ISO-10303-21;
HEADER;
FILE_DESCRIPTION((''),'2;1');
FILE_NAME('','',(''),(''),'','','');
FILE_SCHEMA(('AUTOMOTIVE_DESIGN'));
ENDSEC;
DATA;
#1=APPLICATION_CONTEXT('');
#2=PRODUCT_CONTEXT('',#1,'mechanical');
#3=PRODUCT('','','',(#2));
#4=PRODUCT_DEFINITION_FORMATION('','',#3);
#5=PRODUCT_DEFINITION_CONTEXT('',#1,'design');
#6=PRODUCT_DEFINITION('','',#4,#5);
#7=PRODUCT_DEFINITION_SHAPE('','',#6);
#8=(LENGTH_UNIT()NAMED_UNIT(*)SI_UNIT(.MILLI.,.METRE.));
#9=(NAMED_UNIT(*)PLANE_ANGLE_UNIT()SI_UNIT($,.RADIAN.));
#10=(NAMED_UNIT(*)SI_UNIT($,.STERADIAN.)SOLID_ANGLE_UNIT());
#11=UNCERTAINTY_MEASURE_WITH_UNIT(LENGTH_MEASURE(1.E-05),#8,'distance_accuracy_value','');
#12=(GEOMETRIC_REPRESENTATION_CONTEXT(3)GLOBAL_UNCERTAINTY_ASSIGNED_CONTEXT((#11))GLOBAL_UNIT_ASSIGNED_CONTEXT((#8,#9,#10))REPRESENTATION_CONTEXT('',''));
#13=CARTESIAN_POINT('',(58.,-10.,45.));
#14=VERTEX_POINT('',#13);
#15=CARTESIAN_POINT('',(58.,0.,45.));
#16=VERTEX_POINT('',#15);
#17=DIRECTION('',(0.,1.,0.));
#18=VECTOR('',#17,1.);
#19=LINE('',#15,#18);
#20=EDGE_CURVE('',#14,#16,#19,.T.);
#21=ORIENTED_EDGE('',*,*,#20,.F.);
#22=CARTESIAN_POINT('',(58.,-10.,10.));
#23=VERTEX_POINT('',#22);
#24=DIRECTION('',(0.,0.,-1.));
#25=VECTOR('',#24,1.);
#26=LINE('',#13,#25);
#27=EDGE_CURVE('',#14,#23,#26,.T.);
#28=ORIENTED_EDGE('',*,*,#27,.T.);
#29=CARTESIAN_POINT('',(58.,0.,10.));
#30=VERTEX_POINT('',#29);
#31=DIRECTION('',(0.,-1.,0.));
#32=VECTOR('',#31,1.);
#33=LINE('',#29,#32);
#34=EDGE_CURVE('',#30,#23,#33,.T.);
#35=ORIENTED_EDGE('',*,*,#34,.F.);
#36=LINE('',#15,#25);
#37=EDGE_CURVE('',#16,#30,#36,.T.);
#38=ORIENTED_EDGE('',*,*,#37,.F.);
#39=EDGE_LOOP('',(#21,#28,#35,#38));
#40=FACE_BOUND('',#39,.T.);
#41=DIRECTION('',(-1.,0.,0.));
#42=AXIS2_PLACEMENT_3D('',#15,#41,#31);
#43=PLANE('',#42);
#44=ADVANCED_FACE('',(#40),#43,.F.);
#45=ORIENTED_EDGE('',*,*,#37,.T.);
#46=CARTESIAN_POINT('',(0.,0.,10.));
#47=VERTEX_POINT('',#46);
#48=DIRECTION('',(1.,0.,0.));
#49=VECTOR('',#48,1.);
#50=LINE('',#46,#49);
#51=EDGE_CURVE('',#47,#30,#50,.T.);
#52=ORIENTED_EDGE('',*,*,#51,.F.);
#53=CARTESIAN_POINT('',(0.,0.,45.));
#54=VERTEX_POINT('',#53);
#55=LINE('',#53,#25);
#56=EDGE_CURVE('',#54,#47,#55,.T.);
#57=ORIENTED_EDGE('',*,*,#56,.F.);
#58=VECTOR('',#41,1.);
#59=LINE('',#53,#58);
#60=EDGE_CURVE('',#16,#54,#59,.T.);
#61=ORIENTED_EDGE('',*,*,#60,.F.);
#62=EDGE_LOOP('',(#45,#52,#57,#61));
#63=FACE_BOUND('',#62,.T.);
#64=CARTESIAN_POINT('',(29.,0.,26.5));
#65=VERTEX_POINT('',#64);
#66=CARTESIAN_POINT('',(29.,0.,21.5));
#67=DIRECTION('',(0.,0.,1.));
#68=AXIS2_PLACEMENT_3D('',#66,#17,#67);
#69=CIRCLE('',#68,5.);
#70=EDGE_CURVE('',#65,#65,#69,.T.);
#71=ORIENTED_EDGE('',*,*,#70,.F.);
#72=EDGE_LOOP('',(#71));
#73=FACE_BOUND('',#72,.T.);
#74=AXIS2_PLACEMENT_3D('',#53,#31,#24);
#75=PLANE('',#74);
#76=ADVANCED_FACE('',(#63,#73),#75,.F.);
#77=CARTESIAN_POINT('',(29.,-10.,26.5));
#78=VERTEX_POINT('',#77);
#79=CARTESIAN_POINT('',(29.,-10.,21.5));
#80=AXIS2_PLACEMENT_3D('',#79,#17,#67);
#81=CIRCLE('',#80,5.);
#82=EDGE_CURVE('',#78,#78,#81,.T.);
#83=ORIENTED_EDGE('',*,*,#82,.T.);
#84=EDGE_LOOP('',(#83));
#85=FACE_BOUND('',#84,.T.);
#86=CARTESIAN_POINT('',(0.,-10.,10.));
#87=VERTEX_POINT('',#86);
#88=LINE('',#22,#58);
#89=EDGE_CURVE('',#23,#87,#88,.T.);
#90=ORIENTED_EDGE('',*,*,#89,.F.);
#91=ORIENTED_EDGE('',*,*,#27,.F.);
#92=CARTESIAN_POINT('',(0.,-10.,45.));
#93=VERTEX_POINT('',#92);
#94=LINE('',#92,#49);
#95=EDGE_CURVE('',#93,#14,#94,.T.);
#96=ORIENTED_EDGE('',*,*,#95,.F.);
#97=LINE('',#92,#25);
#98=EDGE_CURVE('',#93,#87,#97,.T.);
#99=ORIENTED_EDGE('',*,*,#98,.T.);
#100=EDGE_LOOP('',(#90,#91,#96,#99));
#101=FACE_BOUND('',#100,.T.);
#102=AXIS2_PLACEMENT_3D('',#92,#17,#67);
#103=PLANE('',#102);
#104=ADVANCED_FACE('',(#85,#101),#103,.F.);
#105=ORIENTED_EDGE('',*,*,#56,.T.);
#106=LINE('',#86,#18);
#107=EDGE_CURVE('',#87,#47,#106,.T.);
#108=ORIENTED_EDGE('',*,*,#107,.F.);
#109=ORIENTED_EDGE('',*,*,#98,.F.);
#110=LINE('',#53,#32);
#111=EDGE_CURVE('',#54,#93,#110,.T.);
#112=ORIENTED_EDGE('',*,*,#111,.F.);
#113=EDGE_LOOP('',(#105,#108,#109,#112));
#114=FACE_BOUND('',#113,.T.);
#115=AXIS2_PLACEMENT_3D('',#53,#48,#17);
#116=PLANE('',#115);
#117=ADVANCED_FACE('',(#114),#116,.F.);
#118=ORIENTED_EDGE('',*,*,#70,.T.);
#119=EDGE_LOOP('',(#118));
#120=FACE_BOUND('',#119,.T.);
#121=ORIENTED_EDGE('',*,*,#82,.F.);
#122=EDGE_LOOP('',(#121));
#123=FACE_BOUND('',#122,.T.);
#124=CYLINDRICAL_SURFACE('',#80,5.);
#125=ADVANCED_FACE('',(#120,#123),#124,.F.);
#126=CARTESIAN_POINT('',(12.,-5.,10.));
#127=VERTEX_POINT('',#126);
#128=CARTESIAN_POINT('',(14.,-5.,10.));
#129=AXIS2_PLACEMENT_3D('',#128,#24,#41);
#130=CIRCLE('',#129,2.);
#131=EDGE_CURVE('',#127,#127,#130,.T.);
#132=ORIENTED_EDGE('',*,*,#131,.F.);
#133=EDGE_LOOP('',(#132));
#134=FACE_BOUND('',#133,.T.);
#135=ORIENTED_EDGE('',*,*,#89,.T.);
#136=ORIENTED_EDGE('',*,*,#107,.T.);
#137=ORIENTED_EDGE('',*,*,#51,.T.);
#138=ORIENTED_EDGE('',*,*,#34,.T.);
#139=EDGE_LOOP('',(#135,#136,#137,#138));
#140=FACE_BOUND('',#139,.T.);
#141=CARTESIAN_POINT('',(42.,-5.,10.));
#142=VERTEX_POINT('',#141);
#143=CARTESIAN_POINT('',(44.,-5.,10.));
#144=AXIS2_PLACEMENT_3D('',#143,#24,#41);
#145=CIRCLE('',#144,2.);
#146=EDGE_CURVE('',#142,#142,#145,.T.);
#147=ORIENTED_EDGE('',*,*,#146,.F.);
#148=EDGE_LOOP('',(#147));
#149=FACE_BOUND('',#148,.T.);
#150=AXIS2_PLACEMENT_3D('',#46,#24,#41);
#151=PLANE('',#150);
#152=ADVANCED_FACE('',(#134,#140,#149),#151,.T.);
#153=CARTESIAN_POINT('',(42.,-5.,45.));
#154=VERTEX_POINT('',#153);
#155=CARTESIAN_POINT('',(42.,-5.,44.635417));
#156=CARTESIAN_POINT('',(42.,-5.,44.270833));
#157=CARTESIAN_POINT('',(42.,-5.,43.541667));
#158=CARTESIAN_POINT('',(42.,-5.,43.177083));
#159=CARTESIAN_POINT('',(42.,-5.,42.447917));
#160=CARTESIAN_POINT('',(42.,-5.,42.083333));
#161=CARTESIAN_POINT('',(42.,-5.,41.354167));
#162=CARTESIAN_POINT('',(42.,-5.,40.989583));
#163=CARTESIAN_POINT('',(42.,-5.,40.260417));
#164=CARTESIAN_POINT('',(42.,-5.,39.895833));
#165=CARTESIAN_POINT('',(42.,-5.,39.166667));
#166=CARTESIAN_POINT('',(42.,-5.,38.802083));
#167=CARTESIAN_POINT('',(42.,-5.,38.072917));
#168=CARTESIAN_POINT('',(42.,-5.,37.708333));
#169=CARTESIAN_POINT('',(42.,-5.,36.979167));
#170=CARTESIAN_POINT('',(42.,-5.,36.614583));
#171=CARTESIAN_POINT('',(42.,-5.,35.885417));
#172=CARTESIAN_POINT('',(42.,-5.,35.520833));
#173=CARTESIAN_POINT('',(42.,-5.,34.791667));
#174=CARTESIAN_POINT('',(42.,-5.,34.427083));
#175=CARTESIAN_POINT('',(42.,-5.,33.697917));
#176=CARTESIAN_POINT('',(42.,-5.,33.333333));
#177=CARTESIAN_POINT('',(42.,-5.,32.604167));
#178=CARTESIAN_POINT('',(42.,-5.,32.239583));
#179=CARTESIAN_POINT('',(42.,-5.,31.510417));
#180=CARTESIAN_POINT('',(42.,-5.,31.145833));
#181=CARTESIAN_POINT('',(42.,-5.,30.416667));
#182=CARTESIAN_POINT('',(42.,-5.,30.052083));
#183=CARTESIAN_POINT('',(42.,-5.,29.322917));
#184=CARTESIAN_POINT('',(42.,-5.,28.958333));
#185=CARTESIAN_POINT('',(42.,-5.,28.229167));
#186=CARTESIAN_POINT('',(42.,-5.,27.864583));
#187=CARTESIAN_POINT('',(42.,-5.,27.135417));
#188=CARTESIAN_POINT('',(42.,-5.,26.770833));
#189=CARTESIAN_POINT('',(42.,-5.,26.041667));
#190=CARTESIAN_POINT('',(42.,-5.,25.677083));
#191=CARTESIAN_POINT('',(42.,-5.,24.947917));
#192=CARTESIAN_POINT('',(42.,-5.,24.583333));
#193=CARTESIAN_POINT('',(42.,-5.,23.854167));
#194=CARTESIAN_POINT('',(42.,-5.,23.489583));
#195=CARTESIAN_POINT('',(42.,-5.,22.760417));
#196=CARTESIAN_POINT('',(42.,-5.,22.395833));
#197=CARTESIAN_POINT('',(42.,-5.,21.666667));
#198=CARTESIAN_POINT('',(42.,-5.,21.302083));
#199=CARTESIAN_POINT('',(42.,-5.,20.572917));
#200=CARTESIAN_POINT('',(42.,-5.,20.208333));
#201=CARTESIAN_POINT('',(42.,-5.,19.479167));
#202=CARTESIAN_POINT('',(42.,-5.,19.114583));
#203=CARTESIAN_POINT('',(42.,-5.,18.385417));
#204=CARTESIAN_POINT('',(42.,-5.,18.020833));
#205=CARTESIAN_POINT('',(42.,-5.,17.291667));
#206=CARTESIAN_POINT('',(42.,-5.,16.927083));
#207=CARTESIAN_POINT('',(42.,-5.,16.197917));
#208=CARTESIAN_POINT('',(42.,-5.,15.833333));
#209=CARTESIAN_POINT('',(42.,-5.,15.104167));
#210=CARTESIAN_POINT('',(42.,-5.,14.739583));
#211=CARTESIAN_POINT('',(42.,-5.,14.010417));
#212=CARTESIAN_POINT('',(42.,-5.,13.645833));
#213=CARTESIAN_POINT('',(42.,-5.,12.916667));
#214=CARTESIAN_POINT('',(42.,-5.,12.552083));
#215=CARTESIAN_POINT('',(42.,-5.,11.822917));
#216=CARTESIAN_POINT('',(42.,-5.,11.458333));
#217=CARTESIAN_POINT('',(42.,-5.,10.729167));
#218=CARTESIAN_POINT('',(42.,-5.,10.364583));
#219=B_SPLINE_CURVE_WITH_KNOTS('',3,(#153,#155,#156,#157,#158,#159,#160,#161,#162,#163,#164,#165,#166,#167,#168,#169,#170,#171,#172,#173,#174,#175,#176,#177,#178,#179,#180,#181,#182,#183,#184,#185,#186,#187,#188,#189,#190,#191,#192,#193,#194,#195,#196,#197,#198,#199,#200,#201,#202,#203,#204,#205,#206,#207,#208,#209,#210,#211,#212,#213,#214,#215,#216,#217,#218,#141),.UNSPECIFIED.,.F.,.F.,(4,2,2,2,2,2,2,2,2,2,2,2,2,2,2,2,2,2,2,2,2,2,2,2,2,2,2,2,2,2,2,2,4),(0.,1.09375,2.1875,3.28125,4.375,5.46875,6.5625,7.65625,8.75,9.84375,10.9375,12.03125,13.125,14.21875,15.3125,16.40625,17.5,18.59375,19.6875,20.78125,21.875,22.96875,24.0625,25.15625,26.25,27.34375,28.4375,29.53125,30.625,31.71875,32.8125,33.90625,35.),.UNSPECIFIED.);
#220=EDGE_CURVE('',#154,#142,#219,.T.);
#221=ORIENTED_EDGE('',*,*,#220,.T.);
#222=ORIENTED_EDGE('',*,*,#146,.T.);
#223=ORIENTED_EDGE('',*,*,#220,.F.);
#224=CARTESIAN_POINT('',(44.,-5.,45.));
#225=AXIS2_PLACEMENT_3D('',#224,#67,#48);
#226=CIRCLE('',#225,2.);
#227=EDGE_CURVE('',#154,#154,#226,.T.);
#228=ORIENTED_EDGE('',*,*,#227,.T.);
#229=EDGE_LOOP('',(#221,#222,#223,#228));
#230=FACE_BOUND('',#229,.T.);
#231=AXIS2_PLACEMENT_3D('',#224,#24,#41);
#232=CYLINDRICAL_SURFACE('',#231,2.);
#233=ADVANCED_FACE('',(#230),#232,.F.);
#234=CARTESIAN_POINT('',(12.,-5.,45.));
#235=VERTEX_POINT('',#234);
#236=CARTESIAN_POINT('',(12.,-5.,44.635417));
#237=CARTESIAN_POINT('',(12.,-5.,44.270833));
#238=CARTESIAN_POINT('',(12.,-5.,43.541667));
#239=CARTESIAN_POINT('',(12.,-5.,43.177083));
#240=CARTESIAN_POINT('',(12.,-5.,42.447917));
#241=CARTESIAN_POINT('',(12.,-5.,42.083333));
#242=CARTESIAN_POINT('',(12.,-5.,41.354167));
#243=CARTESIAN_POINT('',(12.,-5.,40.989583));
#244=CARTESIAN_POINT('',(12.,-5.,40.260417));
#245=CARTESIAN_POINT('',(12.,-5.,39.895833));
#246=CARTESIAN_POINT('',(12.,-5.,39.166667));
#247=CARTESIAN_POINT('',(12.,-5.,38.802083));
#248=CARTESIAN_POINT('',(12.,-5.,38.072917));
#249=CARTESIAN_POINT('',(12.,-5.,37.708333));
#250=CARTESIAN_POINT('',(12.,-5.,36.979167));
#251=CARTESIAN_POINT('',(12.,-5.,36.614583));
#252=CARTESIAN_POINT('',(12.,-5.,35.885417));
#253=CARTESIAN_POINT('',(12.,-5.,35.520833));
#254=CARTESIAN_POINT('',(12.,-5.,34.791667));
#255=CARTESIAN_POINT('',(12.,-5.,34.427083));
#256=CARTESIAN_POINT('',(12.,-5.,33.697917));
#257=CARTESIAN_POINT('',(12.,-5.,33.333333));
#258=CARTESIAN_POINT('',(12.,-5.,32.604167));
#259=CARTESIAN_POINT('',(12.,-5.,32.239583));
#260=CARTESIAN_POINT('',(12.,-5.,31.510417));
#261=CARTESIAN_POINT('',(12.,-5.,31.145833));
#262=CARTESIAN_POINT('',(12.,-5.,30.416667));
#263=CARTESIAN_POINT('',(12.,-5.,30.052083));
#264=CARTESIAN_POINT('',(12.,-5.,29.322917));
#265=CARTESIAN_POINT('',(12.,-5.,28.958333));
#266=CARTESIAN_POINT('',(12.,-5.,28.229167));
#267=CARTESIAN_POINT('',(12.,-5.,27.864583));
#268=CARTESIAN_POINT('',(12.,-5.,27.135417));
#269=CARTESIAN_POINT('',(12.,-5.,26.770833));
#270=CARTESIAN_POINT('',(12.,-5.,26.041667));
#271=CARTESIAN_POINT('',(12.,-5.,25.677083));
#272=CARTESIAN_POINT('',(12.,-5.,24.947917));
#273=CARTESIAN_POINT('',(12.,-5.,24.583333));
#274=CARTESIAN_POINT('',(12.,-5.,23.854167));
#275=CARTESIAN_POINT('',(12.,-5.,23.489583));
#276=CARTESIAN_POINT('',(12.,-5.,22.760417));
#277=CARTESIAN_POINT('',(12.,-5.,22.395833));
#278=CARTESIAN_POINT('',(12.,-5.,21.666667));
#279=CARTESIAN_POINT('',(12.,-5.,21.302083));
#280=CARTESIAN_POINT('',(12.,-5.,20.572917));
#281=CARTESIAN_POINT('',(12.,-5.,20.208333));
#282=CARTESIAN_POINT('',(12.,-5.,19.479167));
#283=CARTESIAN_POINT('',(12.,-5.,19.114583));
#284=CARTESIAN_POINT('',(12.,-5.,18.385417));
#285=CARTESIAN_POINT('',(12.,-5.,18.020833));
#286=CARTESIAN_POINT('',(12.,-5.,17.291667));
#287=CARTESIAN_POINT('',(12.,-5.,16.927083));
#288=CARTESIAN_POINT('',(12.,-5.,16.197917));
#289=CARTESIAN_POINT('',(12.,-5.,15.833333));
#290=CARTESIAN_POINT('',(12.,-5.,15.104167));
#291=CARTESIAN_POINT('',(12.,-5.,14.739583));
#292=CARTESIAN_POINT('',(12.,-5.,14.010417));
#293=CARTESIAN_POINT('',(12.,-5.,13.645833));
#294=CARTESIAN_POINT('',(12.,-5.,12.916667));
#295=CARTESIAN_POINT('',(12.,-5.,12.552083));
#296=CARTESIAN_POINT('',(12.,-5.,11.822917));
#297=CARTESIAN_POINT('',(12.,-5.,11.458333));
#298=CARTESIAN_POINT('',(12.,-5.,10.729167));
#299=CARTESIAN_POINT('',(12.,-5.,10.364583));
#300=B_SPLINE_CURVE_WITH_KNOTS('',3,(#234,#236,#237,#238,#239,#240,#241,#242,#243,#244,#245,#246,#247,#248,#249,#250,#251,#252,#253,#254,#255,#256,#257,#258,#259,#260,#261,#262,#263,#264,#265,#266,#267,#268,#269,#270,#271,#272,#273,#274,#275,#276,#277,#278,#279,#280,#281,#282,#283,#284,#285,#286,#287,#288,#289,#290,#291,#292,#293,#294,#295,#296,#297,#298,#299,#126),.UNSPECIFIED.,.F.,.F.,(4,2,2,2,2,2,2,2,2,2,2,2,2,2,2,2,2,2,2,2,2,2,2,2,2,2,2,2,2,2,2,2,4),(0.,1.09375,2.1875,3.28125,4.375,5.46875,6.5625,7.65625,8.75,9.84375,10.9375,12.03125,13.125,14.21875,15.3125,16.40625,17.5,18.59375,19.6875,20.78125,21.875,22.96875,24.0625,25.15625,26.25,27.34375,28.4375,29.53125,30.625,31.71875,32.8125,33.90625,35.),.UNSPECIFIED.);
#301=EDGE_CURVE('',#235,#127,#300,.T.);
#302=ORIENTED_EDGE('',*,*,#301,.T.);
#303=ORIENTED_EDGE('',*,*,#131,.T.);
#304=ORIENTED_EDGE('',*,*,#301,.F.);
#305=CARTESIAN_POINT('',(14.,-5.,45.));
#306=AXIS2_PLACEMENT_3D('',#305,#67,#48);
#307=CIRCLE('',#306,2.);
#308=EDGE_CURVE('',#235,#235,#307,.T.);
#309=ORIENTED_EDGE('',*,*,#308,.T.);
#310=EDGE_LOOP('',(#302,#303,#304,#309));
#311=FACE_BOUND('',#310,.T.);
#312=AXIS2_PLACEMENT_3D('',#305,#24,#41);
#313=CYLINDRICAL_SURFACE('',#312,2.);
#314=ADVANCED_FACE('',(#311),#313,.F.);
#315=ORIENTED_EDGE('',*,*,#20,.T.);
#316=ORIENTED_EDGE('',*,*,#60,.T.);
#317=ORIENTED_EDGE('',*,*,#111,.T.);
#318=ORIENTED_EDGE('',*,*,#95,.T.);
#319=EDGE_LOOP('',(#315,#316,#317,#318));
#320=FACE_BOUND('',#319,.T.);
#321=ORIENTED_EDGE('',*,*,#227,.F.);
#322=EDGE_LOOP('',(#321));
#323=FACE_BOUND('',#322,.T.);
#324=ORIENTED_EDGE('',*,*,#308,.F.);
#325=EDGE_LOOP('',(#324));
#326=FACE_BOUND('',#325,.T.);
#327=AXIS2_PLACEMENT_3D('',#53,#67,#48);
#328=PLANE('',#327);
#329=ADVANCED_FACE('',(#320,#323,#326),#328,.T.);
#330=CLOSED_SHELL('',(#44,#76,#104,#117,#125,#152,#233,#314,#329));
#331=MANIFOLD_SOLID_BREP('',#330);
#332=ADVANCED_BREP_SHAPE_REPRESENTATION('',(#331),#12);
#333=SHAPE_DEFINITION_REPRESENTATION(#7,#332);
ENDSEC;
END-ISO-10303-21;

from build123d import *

# Parameters (mm, degrees)
SKETCH1_W           = 58
SKETCH1_H           = 10
SKETCH1_R           = 2
BOSS_EXTRUDE1_DEPTH = 45
SKETCH3_W           = 58
SKETCH3_H           = 10
CUT_EXTRUDE3_DEPTH  = 10
SKETCH4_R           = 5
CUT_EXTRUDE4_DEPTH  = 10


with BuildPart() as part:
    # Sketch1 → Boss-Extrude1 (new body)
    with BuildSketch(Plane.XY):
        with Locations((29, -5)):
            Rectangle(SKETCH1_W, SKETCH1_H)
        with Locations(Location((14, -5, 0), (0, 0, 180))):
            Circle(SKETCH1_R, mode=Mode.SUBTRACT)
        with Locations(Location((44, -5, 0), (0, 0, 180))):
            Circle(SKETCH1_R, mode=Mode.SUBTRACT)
    extrude(amount=BOSS_EXTRUDE1_DEPTH)

    # Sketch3 → Cut-Extrude3 (cut)
    with BuildSketch(Plane(origin=(0, 0, 0), x_dir=(-1, 0, 0), z_dir=(0, 0, -1))):
        with Locations((-29, -5)):
            Rectangle(SKETCH3_W, SKETCH3_H)
    extrude(amount=-CUT_EXTRUDE3_DEPTH, mode=Mode.SUBTRACT)

    # Sketch4 → Cut-Extrude4 (cut)
    with BuildSketch(Plane(origin=(0, 0, 0), x_dir=(1, 0, 0), z_dir=(0, 1, 0))):
        with Locations(Location((29, -21.5, 0), (0, 0, 270))):
            Circle(SKETCH4_R)
    extrude(amount=-CUT_EXTRUDE4_DEPTH, mode=Mode.SUBTRACT)


solid = part.part
